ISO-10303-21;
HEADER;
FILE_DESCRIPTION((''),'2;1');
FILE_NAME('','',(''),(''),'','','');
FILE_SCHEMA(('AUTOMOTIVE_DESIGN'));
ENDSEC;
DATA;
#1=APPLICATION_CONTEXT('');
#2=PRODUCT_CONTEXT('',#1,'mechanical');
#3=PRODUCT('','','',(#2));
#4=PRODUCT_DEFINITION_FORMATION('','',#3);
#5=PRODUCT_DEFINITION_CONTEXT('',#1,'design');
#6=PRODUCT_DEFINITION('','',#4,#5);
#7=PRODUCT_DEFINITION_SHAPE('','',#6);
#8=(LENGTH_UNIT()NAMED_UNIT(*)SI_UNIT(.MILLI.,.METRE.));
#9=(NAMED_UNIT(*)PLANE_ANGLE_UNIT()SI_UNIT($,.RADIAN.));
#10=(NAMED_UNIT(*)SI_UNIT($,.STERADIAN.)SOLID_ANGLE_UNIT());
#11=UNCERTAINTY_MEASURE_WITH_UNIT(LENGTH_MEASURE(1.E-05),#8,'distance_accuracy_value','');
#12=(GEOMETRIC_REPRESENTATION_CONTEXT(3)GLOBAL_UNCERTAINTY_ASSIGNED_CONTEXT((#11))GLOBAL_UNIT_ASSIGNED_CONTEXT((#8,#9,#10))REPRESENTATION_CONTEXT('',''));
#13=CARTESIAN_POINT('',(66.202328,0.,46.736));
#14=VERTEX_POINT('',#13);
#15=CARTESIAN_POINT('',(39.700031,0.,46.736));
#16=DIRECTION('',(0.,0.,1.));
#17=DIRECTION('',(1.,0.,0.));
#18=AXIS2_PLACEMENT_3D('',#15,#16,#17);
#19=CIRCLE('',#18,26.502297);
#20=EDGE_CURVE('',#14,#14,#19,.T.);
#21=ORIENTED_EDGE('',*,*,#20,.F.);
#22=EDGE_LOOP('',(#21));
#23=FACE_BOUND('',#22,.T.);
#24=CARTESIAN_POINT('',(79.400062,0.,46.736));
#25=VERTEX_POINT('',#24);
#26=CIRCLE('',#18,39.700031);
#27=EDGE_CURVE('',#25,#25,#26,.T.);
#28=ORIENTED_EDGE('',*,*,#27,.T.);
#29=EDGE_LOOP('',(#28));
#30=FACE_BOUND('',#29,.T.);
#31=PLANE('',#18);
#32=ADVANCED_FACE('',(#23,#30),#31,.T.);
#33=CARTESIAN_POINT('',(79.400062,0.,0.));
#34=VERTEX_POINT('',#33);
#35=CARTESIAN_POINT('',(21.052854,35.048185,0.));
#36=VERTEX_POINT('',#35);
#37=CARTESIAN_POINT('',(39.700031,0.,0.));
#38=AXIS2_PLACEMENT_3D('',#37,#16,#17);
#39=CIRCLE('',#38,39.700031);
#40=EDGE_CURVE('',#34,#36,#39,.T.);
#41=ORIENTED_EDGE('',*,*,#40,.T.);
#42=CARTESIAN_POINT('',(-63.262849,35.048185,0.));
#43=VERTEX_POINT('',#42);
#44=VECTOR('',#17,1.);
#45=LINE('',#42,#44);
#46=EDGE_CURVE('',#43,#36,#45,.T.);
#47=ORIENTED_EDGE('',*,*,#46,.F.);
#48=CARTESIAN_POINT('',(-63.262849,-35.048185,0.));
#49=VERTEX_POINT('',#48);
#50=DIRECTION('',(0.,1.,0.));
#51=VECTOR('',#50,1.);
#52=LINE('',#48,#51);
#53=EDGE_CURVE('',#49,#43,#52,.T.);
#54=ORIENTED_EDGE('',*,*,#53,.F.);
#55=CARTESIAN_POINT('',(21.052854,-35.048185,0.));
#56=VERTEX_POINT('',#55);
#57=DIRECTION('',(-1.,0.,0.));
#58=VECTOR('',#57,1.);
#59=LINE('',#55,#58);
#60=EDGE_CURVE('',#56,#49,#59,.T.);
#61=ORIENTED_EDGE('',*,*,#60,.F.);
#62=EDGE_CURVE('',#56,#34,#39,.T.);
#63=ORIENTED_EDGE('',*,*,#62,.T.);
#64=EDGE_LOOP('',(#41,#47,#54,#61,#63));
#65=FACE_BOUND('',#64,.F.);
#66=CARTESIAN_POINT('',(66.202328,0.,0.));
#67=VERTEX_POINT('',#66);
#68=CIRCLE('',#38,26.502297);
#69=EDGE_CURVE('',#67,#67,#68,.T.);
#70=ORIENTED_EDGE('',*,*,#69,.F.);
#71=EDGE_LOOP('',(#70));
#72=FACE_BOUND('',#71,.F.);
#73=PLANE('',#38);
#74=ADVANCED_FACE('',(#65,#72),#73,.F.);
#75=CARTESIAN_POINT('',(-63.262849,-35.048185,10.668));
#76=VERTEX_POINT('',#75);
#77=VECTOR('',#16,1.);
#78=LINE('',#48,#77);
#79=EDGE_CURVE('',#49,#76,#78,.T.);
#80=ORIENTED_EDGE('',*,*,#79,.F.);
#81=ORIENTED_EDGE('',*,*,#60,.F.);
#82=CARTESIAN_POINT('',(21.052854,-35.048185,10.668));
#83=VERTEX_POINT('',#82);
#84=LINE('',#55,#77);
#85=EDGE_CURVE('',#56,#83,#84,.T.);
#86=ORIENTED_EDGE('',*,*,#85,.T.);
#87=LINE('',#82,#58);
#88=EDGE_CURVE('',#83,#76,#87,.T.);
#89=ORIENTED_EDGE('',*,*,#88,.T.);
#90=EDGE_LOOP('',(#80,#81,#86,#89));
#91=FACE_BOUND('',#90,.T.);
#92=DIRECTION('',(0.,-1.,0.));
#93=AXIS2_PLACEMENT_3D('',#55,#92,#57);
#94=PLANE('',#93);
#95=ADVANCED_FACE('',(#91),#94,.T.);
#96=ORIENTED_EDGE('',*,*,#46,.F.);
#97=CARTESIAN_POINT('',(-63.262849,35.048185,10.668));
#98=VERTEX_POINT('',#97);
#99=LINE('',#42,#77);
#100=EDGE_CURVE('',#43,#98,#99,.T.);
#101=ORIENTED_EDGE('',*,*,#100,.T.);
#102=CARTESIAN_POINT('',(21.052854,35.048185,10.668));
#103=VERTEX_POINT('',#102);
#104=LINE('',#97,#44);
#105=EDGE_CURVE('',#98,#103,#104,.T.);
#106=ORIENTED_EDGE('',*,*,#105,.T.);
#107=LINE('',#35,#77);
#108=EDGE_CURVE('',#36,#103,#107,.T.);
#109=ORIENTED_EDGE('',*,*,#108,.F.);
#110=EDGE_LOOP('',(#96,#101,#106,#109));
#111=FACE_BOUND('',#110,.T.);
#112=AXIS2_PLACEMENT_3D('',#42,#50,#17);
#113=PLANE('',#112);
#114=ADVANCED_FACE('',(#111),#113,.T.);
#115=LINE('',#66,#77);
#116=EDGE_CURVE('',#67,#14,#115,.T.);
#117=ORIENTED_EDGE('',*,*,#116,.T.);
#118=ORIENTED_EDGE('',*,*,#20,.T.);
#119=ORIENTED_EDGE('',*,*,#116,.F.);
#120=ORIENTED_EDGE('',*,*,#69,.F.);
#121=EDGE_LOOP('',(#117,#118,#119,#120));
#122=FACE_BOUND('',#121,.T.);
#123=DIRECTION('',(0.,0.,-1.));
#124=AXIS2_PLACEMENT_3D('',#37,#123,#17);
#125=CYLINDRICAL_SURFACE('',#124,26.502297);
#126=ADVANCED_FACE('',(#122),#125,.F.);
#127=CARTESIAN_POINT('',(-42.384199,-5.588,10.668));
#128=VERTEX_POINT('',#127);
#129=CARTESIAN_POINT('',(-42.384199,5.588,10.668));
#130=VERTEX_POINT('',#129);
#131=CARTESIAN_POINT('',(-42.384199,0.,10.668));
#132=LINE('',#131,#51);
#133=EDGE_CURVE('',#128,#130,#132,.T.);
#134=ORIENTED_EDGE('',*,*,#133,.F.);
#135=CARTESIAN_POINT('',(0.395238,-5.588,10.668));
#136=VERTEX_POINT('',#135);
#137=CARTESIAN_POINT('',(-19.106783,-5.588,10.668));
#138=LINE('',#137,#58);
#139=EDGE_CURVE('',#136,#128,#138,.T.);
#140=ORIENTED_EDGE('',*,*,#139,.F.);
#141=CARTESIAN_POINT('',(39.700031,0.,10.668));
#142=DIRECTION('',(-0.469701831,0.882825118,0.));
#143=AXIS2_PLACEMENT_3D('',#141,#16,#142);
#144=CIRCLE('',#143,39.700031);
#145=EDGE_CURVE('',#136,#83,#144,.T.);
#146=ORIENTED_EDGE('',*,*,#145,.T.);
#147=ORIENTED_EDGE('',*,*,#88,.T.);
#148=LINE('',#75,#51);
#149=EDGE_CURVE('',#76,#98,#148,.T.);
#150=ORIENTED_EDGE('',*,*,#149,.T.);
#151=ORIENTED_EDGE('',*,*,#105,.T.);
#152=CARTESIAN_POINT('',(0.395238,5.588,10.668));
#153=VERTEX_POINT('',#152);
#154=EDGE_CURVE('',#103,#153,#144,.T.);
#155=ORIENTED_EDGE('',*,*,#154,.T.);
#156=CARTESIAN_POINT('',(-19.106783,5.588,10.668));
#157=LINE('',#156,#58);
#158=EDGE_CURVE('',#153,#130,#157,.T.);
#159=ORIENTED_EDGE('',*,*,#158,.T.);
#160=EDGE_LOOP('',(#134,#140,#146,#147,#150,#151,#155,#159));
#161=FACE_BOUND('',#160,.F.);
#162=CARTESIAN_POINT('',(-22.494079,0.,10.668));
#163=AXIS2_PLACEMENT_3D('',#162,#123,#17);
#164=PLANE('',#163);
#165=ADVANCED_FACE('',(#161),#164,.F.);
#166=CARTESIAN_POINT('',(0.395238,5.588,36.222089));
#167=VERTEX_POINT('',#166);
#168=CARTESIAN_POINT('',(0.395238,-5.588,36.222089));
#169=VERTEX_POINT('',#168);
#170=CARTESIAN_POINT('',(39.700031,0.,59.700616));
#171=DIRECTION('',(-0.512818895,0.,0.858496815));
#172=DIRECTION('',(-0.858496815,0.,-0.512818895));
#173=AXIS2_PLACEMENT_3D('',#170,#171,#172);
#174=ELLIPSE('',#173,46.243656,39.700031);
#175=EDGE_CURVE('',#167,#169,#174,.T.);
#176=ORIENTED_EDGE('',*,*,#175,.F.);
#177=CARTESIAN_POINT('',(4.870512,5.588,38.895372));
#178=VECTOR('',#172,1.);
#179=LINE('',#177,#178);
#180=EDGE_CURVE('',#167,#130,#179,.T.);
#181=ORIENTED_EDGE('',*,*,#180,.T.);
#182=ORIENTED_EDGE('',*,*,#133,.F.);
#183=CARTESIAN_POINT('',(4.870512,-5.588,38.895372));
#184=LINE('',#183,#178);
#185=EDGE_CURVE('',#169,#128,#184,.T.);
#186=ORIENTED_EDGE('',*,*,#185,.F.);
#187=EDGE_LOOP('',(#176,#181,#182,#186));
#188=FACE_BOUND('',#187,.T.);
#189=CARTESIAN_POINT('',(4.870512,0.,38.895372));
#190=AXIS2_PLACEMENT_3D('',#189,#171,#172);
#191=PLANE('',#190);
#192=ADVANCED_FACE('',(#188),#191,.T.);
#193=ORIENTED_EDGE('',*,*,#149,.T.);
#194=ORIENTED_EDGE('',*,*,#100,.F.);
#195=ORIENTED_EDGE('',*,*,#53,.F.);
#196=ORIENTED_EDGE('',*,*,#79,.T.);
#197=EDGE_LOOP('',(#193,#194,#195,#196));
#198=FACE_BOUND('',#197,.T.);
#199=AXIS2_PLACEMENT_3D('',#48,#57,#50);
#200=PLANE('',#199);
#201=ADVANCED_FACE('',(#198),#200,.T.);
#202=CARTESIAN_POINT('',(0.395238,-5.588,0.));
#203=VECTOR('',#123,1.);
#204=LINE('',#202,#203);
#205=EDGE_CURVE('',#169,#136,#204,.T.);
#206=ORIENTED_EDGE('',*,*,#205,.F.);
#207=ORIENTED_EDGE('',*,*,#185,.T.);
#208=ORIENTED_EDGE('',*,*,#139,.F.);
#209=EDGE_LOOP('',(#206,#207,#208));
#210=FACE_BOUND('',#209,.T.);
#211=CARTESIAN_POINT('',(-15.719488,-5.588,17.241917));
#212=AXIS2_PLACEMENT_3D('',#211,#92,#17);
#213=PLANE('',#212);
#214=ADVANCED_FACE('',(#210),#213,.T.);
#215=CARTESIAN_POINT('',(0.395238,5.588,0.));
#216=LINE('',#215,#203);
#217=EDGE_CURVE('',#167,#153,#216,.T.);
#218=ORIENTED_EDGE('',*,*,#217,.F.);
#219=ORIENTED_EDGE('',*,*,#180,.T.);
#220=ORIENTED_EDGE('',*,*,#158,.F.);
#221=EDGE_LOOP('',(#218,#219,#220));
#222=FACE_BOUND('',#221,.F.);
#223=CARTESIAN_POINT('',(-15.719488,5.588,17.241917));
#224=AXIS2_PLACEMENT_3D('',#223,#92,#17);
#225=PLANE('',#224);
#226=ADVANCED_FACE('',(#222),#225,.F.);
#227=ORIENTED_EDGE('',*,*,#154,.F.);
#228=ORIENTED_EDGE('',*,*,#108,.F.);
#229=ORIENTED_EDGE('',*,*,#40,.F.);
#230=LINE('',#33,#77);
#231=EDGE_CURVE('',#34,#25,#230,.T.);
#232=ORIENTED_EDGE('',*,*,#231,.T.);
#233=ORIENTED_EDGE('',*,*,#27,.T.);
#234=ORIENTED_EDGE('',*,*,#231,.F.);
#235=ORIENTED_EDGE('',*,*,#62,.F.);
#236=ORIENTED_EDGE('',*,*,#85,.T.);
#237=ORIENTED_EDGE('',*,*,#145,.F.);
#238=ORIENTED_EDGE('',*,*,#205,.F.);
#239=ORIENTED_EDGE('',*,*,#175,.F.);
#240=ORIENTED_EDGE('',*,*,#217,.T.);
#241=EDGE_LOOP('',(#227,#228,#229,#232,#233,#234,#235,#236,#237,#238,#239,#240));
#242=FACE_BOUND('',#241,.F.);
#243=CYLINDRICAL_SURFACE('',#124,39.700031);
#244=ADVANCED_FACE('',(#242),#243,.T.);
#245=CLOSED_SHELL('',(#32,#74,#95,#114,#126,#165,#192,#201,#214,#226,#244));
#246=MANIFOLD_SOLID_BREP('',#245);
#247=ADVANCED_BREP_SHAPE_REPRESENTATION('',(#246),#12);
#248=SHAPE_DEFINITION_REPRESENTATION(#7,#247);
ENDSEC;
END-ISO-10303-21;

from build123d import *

# Parameters (mm, degrees)
F0_R     = 39.700031
F0_R_2   = 26.502297
F1_DEPTH = 46.736
F3_DEPTH = 10.668
F5_DEPTH = 5.588


with BuildPart() as f1:
    # F0 (on Top) → F1 (new body)
    with BuildSketch(Plane.XY):
        with Locations((39.700031, 0)):
            Circle(F0_R)
        with Locations((39.700031, 0)):
            Circle(F0_R_2, mode=Mode.SUBTRACT)
    extrude(amount=F1_DEPTH)

    # F2 (on face) → F3 (join)
    with BuildSketch(Plane(origin=(0, 0, 0), x_dir=(1, 0, 0), z_dir=(0, 0, -1))):
        with BuildLine():
            Line((-63.262849, -35.048185), (21.052854, -35.048185))
            ThreePointArc((21.052854, -35.048185), (0, 0), (21.052854, 35.048185))
            Line((21.052854, 35.048185), (-63.262849, 35.048185))
            Line((-63.262849, 35.048185), (-63.262849, -35.048185))
        make_face()
    extrude(amount=-F3_DEPTH)

    # F4 (on Front) → F5 (join, symmetric)
    with BuildSketch(Plane.XZ):
        Polygon((4.870512, 38.895372), (-47.924407, 7.358584), (4.870512, 6.657766), align=None)
    extrude(amount=F5_DEPTH, both=True)


solid = f1.part
